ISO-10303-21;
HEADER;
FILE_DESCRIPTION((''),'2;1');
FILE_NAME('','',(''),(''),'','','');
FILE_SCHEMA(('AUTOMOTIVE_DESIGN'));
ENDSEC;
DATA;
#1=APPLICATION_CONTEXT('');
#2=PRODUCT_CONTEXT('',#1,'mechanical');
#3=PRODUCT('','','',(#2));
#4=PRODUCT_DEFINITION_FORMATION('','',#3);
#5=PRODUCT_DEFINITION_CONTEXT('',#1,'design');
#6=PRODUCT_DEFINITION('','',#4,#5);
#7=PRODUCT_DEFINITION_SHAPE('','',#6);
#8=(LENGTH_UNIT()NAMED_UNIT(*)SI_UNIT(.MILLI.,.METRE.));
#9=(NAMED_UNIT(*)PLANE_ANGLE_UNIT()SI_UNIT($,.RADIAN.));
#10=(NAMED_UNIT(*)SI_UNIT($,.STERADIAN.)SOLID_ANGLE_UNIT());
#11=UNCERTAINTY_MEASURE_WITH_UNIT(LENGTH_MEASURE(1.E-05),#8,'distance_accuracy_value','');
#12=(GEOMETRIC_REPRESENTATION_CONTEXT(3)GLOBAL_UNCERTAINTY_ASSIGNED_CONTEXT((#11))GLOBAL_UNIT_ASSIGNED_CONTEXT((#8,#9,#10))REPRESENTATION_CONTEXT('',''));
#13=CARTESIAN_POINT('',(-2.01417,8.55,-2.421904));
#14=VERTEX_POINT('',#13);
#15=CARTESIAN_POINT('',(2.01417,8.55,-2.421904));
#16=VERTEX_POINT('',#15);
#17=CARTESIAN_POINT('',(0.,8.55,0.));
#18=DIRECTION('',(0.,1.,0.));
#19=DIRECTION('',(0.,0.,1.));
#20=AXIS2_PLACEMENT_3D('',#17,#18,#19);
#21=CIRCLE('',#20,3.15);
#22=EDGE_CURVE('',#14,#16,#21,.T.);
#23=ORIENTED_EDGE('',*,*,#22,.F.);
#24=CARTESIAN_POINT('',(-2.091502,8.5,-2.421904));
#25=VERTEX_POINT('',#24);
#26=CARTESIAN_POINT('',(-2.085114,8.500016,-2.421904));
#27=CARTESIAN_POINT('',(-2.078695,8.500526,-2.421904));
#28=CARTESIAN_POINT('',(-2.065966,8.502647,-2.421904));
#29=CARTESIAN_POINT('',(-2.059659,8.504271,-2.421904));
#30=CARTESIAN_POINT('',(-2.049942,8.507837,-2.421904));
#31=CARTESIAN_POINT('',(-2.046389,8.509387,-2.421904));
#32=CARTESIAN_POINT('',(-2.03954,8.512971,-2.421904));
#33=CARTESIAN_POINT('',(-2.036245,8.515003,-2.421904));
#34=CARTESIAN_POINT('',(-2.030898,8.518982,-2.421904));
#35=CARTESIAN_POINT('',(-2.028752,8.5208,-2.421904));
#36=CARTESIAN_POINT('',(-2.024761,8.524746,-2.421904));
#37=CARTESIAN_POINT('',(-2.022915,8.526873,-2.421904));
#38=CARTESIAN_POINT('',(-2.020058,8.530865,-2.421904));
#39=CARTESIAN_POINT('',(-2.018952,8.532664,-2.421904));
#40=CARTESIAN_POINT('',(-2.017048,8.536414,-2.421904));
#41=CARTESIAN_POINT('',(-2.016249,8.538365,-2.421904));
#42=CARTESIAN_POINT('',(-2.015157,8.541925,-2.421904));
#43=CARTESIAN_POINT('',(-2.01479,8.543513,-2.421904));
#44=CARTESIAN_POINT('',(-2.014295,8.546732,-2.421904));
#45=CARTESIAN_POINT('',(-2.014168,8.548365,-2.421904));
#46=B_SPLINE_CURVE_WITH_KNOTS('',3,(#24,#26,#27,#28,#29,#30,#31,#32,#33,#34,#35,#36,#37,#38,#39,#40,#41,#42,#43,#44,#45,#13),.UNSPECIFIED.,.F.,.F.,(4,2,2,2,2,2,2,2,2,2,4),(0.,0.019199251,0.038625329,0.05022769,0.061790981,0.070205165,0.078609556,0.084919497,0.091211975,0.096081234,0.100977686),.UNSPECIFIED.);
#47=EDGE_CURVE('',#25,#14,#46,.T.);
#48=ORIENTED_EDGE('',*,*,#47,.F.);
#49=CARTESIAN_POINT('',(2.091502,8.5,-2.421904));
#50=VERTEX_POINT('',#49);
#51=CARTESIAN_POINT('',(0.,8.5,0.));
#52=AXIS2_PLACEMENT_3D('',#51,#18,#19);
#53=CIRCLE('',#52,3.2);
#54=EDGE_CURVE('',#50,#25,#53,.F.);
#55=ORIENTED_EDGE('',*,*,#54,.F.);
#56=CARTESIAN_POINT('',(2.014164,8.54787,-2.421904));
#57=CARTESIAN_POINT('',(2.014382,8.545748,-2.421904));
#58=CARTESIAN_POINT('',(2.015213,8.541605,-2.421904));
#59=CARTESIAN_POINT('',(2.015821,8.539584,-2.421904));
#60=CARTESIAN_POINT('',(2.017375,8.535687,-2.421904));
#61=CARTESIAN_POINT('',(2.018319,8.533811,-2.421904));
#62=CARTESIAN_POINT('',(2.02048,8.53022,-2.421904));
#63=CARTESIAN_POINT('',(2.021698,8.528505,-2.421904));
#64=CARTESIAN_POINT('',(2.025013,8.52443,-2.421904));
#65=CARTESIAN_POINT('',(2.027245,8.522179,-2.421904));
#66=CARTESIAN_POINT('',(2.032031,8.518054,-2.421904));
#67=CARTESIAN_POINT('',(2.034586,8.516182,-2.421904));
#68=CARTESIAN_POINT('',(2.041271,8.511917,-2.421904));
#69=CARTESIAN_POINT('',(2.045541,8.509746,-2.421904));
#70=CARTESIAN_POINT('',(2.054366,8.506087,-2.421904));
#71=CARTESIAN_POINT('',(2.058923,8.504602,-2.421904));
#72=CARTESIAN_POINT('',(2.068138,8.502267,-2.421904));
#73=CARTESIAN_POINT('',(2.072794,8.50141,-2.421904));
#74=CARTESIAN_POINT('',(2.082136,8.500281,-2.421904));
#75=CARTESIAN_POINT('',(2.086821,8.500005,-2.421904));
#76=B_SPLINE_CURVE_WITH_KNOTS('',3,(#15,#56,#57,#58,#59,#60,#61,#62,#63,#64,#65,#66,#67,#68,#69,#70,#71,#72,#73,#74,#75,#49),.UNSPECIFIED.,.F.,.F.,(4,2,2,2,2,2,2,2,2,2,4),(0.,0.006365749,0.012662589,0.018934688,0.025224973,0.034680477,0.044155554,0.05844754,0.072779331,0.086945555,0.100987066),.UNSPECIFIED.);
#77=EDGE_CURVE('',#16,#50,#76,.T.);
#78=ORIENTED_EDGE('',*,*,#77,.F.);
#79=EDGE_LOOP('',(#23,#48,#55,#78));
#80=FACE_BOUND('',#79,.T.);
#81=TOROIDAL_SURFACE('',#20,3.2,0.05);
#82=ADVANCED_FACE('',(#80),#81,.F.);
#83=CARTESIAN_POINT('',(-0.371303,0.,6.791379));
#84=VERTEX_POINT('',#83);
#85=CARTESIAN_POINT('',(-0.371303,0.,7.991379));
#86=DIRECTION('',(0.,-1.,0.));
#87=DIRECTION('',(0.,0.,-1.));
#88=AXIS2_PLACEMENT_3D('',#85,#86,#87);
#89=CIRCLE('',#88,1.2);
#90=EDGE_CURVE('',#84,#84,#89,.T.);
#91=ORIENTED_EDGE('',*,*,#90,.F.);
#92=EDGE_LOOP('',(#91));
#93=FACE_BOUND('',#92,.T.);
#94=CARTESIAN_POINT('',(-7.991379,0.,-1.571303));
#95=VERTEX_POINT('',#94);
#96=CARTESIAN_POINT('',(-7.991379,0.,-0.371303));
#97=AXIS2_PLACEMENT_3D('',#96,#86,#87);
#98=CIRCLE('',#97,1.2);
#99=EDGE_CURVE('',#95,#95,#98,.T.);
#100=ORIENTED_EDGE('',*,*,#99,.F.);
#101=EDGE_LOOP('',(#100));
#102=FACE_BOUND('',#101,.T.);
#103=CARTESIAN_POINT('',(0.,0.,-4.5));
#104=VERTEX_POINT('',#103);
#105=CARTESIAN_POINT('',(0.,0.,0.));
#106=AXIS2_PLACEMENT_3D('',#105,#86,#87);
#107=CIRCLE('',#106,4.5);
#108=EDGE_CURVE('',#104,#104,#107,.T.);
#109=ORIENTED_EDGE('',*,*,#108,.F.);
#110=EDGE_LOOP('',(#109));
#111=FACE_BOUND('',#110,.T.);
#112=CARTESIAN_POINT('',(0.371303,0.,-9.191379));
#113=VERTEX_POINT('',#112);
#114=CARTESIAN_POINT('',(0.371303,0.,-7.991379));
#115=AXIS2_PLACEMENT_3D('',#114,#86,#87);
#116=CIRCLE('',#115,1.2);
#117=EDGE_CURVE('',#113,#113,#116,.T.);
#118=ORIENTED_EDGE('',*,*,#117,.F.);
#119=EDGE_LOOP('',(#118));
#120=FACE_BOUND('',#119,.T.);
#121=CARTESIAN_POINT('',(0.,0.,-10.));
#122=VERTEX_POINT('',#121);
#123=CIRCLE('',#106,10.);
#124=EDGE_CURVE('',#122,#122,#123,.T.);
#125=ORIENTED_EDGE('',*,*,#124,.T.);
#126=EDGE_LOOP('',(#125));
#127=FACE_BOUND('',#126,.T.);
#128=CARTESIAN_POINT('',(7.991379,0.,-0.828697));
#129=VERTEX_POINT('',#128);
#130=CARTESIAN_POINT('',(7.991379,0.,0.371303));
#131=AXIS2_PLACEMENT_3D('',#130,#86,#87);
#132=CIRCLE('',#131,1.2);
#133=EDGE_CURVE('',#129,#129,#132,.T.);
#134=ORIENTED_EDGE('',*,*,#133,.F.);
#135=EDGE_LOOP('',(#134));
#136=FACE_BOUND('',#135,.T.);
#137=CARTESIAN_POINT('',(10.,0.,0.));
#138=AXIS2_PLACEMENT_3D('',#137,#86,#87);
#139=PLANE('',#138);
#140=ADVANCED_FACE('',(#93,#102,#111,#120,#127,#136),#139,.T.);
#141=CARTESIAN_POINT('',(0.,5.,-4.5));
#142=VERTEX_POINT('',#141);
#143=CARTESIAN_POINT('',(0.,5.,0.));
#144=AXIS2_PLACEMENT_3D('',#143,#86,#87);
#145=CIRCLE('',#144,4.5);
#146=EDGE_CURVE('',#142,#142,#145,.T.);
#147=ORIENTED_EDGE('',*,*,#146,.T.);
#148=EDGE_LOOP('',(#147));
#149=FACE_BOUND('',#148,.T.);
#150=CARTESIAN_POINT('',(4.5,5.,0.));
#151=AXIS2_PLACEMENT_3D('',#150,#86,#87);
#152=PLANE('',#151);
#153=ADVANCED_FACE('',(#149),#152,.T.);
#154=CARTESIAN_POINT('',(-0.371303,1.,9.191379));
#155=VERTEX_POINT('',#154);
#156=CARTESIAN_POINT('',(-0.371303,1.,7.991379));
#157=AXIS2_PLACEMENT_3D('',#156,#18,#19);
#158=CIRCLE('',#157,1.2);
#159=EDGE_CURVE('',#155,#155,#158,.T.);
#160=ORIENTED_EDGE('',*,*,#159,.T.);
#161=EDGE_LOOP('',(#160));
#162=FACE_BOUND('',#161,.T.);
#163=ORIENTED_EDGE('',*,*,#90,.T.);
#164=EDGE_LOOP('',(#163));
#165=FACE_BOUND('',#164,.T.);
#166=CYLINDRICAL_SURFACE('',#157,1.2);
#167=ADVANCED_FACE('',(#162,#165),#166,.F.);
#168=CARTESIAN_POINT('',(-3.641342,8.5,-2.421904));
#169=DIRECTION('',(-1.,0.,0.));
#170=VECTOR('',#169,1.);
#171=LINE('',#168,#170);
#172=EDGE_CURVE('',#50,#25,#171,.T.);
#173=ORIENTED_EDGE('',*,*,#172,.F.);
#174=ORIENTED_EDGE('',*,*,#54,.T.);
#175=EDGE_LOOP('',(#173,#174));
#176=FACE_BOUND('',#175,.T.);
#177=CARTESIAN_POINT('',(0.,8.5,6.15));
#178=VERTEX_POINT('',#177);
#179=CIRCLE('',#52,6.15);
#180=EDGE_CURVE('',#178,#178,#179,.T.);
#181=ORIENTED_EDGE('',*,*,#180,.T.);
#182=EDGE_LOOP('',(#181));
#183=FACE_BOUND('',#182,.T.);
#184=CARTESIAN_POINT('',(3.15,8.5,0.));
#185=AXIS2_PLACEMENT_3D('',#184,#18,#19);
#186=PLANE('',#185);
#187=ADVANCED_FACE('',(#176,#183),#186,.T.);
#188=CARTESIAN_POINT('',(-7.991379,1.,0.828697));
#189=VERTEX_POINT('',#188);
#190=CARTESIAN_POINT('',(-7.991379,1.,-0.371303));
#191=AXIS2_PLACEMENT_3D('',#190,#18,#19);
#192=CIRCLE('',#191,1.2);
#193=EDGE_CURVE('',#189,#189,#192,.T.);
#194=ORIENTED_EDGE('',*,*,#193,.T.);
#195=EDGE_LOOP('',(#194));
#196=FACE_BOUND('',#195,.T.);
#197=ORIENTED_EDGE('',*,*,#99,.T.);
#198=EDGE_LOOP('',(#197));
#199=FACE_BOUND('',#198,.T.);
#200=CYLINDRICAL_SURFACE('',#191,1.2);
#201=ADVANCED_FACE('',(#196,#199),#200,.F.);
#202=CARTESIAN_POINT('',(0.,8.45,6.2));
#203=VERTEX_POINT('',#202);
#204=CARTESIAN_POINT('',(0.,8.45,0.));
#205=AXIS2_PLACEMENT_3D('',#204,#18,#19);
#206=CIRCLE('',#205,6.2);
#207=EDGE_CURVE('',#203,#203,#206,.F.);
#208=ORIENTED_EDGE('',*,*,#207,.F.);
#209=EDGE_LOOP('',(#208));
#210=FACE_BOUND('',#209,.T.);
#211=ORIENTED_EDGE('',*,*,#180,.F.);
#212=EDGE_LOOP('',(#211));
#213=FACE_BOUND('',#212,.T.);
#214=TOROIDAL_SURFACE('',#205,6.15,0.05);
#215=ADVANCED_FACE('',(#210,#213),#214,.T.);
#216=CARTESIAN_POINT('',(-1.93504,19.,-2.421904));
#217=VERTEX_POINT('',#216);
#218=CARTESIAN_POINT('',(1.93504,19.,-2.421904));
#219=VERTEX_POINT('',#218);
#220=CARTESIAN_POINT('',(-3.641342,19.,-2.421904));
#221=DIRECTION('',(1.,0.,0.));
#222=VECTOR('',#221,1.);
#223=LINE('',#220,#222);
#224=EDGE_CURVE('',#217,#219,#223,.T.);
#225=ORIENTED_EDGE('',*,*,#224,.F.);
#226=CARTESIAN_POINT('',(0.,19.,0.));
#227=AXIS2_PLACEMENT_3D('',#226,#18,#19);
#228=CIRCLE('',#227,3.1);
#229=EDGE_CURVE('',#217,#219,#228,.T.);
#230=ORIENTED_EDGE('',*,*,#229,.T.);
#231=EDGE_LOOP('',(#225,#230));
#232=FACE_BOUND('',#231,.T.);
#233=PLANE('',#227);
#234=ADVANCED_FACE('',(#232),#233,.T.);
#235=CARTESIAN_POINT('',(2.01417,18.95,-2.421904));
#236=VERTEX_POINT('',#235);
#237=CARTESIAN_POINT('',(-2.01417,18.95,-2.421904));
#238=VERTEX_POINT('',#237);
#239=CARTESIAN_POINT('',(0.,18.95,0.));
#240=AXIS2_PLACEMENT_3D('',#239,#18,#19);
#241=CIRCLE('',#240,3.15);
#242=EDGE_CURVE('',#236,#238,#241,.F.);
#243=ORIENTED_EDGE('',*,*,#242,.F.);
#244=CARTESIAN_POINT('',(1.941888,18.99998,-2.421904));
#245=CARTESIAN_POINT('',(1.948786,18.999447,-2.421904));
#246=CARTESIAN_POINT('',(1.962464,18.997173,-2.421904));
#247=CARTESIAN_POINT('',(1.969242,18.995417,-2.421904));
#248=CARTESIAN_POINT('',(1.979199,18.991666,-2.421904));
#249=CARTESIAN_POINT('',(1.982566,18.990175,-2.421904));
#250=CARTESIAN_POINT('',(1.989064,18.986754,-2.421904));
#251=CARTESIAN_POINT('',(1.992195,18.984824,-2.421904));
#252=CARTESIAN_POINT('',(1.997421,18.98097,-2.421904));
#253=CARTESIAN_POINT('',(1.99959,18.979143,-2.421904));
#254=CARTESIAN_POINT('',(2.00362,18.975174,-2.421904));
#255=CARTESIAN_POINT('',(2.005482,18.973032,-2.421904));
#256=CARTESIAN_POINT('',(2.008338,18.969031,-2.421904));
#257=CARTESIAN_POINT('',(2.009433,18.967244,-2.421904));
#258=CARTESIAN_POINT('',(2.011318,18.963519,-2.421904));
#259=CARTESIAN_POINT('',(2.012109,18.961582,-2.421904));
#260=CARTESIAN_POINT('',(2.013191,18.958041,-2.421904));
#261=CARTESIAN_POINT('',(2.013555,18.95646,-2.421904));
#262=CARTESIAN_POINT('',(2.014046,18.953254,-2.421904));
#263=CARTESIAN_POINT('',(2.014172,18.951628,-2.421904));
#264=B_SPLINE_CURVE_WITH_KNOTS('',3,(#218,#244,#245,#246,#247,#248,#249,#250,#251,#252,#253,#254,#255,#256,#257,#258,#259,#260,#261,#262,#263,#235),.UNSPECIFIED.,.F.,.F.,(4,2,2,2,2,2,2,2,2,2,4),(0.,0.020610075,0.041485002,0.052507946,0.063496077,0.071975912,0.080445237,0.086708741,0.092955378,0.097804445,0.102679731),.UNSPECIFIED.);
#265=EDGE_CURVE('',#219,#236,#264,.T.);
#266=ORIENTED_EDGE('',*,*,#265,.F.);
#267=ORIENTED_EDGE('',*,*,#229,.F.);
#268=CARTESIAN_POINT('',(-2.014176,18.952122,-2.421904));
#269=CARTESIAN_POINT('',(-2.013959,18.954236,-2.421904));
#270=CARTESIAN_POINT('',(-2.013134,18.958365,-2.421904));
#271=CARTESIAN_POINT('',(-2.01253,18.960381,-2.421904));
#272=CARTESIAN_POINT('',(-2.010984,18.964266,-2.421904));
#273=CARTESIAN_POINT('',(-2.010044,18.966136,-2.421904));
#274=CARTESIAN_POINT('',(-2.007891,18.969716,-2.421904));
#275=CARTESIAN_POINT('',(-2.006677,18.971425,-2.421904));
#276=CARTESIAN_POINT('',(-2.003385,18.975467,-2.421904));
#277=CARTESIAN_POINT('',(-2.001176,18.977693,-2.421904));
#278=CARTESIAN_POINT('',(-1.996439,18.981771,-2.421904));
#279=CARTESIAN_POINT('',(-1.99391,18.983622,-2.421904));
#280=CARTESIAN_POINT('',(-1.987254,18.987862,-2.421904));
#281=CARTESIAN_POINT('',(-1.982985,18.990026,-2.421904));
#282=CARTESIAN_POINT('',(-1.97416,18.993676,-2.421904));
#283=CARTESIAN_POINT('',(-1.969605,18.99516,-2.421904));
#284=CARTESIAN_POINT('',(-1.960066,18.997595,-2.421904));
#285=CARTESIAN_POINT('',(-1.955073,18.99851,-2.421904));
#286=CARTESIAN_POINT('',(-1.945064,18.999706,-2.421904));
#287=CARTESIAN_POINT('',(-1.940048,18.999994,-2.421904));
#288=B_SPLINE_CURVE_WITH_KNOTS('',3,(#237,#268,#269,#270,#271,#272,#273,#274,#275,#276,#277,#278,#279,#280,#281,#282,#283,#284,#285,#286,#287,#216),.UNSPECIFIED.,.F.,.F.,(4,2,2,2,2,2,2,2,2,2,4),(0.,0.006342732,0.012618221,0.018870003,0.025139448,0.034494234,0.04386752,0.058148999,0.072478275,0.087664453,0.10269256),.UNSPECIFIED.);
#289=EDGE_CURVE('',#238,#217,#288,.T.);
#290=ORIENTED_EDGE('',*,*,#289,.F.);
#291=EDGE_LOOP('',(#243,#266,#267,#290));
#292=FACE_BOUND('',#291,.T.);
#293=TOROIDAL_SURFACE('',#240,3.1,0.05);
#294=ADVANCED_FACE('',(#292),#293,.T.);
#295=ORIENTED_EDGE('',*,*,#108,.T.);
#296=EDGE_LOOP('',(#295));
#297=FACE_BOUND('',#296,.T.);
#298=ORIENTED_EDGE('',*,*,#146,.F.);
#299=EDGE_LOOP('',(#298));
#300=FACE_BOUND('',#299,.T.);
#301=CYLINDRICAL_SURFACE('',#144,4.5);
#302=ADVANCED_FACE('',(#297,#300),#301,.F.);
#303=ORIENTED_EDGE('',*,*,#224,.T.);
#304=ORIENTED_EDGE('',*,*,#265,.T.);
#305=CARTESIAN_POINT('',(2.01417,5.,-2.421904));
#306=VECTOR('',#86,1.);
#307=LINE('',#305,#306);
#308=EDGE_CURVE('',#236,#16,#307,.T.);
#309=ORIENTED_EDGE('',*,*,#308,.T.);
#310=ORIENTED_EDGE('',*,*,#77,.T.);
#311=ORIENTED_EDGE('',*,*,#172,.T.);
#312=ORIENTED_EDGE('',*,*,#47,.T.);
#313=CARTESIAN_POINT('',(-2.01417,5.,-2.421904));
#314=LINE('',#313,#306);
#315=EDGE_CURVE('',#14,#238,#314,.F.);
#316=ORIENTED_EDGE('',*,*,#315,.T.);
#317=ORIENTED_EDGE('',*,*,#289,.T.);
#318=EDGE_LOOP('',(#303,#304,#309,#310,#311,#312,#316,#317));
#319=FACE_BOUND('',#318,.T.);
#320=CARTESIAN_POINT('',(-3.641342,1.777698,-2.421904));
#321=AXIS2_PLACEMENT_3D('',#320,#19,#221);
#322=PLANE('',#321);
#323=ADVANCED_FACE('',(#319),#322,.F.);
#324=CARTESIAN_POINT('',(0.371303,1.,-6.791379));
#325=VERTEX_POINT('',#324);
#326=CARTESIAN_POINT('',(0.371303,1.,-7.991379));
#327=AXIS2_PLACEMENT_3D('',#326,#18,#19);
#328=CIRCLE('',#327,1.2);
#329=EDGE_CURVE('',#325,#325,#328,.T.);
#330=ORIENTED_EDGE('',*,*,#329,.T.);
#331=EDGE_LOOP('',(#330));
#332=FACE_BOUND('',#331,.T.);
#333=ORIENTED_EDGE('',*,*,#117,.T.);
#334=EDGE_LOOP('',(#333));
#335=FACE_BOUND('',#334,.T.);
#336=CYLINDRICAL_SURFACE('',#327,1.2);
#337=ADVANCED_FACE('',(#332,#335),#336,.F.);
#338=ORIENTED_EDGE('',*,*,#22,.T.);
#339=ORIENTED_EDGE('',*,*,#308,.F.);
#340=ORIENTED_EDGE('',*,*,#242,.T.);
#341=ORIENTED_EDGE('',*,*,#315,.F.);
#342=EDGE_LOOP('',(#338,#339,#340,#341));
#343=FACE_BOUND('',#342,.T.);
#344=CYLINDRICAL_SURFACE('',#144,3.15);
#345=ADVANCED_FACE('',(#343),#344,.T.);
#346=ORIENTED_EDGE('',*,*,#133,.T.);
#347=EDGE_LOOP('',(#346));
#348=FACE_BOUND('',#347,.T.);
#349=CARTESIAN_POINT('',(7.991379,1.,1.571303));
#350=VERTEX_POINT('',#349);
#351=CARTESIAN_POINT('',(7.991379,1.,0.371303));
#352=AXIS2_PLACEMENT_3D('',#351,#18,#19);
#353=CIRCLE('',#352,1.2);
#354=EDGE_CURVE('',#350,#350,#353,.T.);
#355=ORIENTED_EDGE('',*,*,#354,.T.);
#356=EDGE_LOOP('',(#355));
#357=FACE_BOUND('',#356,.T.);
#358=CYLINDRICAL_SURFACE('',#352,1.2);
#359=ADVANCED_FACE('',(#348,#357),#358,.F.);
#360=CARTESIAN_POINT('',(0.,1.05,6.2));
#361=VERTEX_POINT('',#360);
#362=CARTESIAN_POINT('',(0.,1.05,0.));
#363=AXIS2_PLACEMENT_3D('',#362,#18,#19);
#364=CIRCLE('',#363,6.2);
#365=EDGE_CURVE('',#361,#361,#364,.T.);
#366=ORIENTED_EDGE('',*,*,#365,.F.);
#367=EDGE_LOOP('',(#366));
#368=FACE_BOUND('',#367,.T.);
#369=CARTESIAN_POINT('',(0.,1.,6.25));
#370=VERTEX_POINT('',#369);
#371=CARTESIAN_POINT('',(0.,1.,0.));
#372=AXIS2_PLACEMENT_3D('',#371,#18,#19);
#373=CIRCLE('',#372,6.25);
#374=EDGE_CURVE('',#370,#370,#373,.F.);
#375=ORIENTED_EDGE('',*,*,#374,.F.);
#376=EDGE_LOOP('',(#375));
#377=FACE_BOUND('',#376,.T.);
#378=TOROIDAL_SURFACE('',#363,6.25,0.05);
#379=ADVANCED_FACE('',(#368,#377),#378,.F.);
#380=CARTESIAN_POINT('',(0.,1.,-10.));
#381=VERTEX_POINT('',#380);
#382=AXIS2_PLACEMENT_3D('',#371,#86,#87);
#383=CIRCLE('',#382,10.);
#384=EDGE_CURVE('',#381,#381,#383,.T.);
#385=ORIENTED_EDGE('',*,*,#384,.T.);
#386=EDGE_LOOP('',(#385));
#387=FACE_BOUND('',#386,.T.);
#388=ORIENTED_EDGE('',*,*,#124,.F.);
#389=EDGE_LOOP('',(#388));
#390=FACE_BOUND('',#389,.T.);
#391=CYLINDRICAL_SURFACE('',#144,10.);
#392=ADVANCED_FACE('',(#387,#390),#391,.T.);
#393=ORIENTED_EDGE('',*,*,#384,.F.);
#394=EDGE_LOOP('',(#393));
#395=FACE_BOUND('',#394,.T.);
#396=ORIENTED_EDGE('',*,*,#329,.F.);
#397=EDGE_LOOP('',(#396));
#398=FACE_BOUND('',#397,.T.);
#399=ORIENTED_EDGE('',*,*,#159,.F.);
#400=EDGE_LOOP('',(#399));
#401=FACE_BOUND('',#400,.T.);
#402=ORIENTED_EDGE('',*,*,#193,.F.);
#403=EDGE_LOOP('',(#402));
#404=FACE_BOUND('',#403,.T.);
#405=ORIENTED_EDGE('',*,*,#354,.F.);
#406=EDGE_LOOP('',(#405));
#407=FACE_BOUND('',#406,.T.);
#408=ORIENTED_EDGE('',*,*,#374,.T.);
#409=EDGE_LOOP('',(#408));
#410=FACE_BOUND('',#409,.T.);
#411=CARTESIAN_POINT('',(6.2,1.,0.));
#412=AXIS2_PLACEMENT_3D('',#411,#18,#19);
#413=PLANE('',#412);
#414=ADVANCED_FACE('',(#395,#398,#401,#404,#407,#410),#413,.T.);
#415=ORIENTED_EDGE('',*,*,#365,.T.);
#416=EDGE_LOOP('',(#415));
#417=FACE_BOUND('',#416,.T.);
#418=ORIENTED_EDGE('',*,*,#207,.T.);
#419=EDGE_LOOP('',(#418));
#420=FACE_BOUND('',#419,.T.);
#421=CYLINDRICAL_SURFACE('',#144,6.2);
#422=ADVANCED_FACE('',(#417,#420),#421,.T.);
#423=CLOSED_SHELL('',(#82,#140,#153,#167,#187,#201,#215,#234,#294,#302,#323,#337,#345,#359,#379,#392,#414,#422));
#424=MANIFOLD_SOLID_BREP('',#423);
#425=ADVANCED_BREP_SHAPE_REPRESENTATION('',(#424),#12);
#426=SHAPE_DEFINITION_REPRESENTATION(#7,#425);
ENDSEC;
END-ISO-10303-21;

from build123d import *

# Parameters (mm, degrees)
ESQUISSE3_W                  = 6.57785754
ESQUISSE3_H                  = 1.386048805
ENL_V_MAT_EXTRU_1_DEPTH      = 10.5
D_GAGEMENT_M21_D             = 2.4
R_P_TITION_CIRCULAIRE1_COUNT = 4
CONG_1_R                     = 0.05


with BuildPart() as part:
    # Esquisse2 → Révolution2 (revolve)
    with BuildSketch(Plane.XY, mode=Mode.PRIVATE) as r_volution2_sk:
        Polygon((0, 19), (3.15, 19), (3.15, 8.5), (6.2, 8.5), (6.2, 3), (6.2, 1), (10, 1), (10, 0), (4.5, 0), (4.5, 5), (0, 5), align=None)
    revolve(r_volution2_sk.sketch.rotate(Axis((0, 5, 0), (0, 1, 0)), 90), axis=Axis((0, 5, 0), (0, 1, 0)))

    # Esquisse3 → Enlèv. mat.-Extru.1 (cut)
    with BuildSketch(Plane(origin=(0, 19, 0), x_dir=(1, 0, 0), z_dir=(0, 1, 0))):
        with Locations((-0.352413472, 3.114928535)):
            Rectangle(ESQUISSE3_W, ESQUISSE3_H)
    extrude(amount=-ENL_V_MAT_EXTRU_1_DEPTH, mode=Mode.SUBTRACT)

    # Dégagement M21 (through all)
    with Locations(Plane(origin=(0, 1, 0), x_dir=(1, 0, 0), z_dir=(0, 1, 0))):
        with Locations((0.371303159, 7.991378727)):
            d_gagement_m21 = Hole(D_GAGEMENT_M21_D / 2)

    # Répétition circulaire1: Dégagement M21 ×4 about axis
    r_p_tition_circulaire1_axis = Axis((0, 0, 0), (0, 1, 0))
    for i in range(1, R_P_TITION_CIRCULAIRE1_COUNT):
        add(d_gagement_m21.rotate(r_p_tition_circulaire1_axis, i * 360 / R_P_TITION_CIRCULAIRE1_COUNT), mode=Mode.SUBTRACT)

    # Congé1
    cong_1_edges = [part.edges().sort_by_distance(p)[0] for p in [
        (0, 8.5, 6.2),
        (0, 8.5, 3.15),
        (0, 19, 3.15),
        (0, 1, 6.2),
    ]]
    fillet(cong_1_edges, radius=CONG_1_R)


solid = part.part
